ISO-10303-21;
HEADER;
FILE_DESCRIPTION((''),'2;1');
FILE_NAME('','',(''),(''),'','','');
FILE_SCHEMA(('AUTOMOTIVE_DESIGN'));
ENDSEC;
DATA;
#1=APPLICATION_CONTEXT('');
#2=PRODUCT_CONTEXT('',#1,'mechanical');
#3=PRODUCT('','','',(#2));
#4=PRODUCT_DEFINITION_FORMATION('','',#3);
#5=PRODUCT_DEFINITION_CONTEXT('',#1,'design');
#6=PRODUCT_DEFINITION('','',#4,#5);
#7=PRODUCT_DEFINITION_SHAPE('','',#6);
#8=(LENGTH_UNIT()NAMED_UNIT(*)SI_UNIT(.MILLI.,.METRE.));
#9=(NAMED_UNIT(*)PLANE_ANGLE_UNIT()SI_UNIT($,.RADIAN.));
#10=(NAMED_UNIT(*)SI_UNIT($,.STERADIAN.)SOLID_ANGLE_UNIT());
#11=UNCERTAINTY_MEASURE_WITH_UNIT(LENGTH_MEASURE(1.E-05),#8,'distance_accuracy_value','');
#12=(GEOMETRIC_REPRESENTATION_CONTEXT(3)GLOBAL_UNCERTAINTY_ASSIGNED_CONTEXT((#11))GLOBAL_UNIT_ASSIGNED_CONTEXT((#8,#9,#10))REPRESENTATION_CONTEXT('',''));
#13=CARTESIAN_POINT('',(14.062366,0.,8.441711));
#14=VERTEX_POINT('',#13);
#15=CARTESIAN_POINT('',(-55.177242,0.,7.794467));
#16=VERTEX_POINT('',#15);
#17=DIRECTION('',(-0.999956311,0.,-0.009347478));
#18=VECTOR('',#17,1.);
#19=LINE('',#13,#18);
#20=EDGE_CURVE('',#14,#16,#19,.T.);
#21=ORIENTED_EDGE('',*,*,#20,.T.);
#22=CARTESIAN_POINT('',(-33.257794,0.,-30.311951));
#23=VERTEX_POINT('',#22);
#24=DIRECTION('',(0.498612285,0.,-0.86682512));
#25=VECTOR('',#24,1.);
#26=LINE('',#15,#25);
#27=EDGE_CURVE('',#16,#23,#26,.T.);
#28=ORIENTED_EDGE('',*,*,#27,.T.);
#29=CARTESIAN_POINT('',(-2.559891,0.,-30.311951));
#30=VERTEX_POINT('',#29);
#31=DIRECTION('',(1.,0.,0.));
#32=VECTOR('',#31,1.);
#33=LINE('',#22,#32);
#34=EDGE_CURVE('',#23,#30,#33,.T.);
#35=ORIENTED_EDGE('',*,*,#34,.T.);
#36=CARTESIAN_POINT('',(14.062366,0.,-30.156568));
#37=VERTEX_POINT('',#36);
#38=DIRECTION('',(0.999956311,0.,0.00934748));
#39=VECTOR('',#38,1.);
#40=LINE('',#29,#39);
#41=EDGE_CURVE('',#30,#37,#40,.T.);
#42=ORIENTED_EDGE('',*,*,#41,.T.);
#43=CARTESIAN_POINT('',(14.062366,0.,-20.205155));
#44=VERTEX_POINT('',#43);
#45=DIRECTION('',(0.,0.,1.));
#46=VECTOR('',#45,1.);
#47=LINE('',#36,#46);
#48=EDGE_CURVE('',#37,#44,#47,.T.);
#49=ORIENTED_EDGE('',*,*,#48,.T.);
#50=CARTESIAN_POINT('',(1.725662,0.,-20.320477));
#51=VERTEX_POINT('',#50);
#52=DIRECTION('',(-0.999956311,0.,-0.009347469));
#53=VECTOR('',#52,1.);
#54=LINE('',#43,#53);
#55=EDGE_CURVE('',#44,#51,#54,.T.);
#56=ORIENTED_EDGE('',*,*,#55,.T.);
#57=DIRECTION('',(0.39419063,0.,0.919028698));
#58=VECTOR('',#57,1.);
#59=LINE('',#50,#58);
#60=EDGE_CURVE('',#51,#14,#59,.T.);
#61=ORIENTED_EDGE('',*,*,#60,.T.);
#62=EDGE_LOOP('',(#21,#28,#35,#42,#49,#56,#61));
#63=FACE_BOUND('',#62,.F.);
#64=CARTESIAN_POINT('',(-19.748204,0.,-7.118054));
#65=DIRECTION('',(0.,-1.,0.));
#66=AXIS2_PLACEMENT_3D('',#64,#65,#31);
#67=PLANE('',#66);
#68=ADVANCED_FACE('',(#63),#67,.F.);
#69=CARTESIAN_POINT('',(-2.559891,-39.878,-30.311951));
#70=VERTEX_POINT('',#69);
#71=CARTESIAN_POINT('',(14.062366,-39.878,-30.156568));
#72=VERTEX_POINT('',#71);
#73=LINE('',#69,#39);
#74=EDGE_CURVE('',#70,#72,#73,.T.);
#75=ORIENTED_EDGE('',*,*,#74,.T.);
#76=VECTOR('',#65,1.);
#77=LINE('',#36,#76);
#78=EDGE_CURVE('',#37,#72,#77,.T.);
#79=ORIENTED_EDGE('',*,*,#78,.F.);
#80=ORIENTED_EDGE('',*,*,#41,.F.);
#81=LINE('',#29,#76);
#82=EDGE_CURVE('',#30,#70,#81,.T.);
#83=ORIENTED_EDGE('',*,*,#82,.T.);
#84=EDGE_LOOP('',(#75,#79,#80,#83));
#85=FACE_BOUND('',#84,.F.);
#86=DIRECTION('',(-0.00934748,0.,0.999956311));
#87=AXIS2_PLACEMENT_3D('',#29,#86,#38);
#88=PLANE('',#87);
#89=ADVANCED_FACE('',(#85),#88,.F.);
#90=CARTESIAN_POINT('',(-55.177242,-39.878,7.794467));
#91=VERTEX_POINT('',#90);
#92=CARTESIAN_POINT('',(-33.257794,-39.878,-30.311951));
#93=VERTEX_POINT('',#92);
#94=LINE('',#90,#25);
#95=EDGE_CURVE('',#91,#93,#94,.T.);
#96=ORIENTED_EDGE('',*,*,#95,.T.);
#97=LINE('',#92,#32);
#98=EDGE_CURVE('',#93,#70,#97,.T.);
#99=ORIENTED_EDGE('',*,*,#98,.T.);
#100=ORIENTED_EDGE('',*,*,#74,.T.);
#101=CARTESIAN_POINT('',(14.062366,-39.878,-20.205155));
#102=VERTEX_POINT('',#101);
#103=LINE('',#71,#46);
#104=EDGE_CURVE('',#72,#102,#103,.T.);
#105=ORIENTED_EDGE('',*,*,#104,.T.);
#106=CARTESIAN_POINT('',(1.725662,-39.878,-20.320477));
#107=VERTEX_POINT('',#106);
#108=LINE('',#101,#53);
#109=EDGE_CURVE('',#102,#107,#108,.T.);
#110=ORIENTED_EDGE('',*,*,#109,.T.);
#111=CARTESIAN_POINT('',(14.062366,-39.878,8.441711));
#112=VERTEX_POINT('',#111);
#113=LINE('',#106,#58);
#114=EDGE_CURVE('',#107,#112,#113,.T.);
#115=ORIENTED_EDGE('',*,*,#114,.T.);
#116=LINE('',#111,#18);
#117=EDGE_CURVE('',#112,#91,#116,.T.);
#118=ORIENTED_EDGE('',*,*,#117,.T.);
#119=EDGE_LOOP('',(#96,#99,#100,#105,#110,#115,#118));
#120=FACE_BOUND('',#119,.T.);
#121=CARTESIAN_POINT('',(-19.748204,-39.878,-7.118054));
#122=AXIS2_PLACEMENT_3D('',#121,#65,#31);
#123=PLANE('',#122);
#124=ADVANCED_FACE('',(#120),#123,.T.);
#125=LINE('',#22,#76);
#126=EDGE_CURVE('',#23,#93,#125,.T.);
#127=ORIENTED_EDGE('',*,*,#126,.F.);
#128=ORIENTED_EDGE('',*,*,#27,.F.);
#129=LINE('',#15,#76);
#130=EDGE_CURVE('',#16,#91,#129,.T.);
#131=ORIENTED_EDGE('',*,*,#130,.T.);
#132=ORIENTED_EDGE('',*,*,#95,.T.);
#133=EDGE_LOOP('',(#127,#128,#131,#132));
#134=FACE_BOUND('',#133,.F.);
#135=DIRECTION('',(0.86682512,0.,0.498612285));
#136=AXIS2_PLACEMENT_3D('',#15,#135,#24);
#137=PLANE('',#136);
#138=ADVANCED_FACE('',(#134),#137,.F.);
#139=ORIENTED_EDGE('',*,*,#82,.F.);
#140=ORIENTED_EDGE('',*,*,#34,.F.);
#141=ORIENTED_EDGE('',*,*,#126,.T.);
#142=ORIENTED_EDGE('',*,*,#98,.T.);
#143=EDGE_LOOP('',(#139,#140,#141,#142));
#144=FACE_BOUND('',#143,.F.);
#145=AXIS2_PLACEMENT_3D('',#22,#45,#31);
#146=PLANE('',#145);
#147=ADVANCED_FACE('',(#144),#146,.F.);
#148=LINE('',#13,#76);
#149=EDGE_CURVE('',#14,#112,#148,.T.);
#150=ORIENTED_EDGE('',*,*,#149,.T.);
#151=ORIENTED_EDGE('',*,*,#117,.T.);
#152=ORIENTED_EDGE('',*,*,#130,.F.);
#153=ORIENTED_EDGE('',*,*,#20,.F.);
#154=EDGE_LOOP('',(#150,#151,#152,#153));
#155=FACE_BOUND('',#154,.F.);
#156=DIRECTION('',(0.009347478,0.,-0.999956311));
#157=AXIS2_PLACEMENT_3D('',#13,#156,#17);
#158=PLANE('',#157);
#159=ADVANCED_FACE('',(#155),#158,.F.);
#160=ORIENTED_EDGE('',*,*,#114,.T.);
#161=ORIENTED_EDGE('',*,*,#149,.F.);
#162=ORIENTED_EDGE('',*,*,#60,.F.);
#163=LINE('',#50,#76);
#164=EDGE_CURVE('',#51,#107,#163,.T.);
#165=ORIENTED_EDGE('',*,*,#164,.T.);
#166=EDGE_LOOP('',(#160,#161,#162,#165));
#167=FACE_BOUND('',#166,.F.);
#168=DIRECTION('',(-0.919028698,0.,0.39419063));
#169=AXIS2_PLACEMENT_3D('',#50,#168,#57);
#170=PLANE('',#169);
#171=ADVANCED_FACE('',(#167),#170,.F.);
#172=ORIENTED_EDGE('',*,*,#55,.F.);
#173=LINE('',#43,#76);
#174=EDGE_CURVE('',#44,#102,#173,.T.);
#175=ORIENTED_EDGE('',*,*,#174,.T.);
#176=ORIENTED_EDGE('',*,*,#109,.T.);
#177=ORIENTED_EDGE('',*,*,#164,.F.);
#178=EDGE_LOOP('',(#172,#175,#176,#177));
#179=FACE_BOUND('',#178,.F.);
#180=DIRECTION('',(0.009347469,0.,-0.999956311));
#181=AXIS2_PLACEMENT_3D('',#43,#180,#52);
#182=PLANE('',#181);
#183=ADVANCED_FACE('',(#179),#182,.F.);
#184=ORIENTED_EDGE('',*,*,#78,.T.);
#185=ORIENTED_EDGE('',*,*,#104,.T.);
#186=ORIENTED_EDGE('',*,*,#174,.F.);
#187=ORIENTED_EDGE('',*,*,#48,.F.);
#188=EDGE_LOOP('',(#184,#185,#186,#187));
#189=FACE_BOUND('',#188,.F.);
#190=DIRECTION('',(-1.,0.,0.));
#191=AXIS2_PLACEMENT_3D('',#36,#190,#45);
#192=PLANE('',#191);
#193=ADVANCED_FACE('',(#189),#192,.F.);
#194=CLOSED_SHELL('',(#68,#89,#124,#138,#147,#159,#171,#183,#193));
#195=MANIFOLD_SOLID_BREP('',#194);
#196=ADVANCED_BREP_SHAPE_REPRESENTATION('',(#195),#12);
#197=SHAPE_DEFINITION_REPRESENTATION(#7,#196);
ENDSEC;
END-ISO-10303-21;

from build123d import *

# Parameters (mm, degrees)
F1_DEPTH = 39.878


with BuildPart() as f1:
    # F0 (on Front) → F1 (new body)
    with BuildSketch(Plane.XZ):
        Polygon((14.062366, 8.441711), (-55.177242, 7.794467), (-33.257794, -30.311951), (-2.559891, -30.311951), (1.725662, -20.320477), align=None)
        Polygon((1.725662, -20.320477), (-2.559891, -30.311951), (14.062366, -30.156568), (14.062366, -20.205155), align=None)
    extrude(amount=F1_DEPTH)


solid = f1.part
